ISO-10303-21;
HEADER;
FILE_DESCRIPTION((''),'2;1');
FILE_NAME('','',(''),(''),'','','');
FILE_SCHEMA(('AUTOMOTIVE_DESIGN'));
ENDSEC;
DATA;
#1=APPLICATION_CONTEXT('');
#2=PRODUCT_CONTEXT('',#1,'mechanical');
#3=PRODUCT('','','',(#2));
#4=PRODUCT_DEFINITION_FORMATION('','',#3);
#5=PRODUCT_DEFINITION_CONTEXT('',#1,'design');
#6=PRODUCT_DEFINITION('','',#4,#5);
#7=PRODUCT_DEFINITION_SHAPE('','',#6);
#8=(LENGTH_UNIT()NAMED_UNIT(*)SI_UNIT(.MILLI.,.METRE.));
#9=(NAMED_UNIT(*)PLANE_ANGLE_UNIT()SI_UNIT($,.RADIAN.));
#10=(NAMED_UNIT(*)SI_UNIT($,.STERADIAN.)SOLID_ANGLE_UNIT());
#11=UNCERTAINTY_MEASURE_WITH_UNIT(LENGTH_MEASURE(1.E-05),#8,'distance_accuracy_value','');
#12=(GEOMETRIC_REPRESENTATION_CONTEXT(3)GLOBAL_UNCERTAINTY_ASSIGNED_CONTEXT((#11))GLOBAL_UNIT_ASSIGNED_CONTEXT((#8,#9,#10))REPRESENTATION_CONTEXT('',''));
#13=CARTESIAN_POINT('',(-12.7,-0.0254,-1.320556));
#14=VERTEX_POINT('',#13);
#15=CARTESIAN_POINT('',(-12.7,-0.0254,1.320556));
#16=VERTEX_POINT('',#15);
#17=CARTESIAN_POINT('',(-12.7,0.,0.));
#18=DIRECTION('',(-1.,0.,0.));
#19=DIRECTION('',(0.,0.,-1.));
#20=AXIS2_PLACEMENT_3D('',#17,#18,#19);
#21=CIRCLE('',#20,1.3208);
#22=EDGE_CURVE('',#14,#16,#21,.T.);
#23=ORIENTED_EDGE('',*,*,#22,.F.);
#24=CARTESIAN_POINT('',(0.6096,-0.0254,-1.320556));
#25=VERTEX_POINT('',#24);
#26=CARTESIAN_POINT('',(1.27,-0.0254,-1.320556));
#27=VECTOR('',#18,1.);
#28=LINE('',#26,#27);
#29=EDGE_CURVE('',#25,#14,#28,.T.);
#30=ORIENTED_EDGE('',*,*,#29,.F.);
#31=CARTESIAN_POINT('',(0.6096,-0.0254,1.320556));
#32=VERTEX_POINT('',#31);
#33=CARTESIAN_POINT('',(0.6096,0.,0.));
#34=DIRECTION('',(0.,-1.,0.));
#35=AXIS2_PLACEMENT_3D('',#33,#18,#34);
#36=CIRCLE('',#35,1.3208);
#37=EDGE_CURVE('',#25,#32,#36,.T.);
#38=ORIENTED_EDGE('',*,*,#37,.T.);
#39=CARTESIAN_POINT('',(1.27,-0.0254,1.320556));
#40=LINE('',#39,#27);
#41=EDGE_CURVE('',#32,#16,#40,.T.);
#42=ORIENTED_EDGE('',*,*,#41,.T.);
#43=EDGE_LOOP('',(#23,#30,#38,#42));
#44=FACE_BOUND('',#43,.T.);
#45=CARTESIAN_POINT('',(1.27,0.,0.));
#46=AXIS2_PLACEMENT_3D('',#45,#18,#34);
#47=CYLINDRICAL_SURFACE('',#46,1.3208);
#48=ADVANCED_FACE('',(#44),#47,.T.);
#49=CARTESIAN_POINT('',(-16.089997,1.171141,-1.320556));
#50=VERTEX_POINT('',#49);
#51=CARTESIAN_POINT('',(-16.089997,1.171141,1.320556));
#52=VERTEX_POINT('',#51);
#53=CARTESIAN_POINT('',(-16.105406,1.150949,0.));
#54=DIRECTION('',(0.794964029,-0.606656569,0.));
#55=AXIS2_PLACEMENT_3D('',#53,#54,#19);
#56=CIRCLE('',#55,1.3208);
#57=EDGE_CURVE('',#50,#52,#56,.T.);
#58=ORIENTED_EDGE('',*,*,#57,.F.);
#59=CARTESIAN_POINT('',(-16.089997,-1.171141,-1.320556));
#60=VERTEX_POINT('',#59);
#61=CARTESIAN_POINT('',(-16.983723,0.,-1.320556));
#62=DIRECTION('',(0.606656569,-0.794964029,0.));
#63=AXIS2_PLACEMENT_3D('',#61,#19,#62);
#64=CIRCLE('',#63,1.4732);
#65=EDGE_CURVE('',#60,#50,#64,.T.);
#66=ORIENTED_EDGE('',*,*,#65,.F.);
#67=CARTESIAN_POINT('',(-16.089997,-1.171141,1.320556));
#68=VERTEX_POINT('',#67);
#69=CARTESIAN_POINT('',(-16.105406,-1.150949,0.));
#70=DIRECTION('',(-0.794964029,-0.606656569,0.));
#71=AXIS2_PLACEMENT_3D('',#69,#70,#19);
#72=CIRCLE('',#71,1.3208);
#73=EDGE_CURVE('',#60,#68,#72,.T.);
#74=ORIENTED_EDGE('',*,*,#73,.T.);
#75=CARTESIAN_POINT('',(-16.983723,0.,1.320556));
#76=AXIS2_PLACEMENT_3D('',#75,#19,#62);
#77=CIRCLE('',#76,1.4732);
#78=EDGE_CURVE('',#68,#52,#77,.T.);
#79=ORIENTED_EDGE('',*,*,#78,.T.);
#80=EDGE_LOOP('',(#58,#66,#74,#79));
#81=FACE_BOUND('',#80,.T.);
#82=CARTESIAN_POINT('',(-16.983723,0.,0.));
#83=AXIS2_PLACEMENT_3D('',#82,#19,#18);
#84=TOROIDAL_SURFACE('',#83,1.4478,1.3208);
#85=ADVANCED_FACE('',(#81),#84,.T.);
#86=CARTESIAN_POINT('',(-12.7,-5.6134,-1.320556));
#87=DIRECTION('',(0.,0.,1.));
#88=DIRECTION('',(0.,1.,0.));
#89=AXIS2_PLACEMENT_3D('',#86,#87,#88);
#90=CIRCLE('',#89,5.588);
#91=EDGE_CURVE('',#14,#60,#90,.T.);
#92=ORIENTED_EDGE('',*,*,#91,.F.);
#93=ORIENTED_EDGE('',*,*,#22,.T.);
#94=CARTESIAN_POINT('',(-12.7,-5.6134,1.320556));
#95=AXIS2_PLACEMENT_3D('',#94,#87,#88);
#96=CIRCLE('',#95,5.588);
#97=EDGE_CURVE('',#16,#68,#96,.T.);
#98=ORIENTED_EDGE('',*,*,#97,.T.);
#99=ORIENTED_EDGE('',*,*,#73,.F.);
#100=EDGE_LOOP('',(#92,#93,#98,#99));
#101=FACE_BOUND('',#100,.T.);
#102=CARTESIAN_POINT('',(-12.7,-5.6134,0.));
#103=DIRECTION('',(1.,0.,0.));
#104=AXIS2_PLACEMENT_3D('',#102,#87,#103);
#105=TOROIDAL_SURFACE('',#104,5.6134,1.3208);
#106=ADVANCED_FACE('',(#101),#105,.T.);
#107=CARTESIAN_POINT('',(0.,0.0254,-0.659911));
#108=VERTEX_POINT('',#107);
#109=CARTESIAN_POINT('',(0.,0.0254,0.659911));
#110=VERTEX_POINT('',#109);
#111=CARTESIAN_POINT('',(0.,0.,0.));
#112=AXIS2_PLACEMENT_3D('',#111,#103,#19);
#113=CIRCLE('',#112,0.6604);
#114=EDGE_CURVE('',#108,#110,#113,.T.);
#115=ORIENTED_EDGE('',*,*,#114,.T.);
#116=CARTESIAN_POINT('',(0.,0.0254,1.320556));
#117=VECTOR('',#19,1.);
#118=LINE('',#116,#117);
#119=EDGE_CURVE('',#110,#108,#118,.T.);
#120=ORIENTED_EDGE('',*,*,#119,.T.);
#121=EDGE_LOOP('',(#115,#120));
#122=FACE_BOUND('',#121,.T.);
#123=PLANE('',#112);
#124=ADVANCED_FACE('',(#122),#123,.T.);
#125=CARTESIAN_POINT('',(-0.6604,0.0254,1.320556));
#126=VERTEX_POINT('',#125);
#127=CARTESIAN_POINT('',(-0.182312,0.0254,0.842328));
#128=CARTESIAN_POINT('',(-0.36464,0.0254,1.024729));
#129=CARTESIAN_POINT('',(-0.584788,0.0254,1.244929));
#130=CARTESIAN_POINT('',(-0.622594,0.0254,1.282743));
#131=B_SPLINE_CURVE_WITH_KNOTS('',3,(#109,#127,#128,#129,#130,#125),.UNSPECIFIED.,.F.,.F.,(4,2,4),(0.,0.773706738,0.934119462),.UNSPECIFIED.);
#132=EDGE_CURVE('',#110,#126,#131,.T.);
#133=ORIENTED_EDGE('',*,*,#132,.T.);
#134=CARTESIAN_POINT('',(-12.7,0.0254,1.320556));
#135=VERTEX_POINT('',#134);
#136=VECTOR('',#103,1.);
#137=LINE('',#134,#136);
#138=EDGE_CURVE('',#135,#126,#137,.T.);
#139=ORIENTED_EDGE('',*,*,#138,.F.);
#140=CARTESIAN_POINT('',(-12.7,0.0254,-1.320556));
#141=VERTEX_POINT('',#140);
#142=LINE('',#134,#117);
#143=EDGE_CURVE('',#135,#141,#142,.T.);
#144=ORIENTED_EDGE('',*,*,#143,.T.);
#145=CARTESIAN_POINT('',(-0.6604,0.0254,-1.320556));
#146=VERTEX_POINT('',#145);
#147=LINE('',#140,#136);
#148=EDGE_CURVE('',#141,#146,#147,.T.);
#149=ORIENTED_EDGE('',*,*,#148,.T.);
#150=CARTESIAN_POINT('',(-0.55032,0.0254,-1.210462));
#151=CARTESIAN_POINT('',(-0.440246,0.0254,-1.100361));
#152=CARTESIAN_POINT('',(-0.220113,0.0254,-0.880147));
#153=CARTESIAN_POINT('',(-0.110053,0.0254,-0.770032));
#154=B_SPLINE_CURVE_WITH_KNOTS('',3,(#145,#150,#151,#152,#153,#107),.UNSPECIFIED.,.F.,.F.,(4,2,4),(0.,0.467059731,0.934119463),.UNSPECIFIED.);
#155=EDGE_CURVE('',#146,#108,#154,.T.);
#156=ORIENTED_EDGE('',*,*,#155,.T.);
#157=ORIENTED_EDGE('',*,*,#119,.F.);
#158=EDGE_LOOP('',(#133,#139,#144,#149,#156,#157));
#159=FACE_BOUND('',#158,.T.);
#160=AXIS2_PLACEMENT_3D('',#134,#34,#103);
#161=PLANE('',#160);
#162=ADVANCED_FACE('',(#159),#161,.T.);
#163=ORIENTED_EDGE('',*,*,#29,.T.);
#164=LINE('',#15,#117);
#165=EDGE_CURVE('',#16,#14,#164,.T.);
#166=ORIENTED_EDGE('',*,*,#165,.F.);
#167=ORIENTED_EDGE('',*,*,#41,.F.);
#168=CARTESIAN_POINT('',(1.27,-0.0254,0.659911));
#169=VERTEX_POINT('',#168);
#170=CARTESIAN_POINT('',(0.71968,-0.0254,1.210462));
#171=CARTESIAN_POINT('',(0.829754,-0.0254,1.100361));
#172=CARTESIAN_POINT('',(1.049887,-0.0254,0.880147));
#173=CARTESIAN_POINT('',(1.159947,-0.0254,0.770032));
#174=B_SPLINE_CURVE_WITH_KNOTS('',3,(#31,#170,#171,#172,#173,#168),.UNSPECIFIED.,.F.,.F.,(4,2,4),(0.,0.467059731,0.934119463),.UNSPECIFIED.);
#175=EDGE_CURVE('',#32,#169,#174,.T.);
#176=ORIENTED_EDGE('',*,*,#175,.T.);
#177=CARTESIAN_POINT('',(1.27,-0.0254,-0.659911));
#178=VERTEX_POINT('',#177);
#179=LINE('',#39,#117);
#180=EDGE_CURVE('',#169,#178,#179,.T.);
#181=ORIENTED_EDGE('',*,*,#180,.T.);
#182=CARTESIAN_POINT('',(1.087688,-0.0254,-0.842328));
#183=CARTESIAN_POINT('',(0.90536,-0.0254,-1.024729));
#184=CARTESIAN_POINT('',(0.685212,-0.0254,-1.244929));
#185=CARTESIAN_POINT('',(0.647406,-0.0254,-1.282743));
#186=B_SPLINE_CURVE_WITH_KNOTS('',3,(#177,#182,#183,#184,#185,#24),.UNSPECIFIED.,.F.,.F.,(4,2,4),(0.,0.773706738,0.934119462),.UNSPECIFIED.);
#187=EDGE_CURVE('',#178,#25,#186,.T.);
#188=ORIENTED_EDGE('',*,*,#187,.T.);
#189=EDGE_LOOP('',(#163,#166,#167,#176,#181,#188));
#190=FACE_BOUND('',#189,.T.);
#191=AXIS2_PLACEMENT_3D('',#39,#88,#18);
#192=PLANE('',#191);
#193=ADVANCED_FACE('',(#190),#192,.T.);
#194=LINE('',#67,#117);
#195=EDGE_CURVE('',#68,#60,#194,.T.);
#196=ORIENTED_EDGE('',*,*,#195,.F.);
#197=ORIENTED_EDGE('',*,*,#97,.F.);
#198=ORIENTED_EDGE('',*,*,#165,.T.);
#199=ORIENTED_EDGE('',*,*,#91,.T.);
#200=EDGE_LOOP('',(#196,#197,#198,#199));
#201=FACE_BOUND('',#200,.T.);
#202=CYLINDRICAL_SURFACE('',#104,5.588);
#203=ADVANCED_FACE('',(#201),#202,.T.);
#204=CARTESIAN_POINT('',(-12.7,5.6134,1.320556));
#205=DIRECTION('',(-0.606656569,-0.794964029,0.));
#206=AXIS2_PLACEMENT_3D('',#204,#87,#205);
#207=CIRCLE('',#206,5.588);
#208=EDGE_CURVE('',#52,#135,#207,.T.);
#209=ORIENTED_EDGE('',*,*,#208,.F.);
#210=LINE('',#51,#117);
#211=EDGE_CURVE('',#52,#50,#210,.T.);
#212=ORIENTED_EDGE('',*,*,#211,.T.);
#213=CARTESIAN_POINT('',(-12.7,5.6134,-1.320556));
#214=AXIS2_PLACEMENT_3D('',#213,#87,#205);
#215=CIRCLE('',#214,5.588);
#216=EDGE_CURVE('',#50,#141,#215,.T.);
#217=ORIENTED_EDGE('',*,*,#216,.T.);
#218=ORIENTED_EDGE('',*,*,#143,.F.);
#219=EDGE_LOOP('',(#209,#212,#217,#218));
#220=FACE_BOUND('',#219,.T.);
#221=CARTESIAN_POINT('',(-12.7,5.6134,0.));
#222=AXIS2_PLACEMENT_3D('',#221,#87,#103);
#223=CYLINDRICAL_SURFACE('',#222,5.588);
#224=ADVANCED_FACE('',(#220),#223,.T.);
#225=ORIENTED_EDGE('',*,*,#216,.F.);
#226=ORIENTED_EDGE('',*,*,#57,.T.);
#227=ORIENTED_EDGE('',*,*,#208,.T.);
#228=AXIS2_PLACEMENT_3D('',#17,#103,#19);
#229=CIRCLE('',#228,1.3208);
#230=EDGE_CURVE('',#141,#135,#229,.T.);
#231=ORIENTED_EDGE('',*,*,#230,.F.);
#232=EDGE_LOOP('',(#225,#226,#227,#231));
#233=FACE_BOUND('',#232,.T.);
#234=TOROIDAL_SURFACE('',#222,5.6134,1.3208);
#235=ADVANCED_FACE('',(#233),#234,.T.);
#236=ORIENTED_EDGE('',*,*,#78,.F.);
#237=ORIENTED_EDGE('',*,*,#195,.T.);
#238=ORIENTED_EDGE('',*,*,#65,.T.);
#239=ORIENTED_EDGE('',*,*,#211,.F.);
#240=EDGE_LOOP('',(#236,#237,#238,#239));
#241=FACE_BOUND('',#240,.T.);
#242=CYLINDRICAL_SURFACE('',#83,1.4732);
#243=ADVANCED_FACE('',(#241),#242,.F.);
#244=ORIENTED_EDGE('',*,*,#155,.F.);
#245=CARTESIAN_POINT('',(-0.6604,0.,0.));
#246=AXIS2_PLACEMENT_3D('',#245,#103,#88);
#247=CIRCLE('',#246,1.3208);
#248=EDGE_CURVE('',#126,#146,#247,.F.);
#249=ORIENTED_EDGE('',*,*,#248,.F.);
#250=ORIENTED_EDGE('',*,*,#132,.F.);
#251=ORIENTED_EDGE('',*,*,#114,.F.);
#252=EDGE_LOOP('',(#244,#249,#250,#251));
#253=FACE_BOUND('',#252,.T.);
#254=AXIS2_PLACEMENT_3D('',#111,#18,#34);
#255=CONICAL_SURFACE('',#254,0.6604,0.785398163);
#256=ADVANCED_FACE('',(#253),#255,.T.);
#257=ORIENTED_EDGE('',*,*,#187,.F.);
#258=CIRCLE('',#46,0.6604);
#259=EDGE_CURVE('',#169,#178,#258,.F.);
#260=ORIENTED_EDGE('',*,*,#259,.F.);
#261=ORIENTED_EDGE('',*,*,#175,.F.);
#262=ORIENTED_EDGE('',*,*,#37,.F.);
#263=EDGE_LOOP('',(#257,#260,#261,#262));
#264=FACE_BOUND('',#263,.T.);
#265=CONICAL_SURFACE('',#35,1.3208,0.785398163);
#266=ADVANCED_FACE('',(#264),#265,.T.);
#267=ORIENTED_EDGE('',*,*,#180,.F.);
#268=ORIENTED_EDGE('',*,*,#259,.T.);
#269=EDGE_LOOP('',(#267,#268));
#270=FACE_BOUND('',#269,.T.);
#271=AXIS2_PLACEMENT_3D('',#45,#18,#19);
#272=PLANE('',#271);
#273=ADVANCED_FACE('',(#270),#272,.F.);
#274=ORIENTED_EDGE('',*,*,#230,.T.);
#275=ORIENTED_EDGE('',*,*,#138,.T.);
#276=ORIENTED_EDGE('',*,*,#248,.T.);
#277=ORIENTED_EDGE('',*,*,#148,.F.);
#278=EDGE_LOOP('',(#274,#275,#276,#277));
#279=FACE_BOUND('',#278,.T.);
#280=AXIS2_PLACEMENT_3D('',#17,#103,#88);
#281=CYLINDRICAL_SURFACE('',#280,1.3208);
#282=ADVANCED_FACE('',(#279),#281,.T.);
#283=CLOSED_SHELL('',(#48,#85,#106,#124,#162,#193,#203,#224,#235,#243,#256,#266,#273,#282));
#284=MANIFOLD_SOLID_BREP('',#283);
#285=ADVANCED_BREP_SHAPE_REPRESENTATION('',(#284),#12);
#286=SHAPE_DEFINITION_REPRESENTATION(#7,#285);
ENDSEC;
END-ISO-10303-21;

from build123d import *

# Parameters (mm, degrees)
CHAMFER1_SIZE = 0.6604


with BuildPart() as part:
    # Sweep1: sweep along a path in Sketch3
    with BuildLine(Plane.XY) as sweep1_path:
        Line((1.27, -0.0254), (-12.7, -0.0254))
        ThreePointArc((-12.7, -0.0254), (-14.489189865, -0.319578731), (-16.089996909, -1.171141007))
        ThreePointArc((-16.089996909, -1.171141007), (-18.456923366, 0), (-16.089996909, 1.171141007))
        ThreePointArc((-16.089996909, 1.171141007), (-14.489189865, 0.319578731), (-12.7, 0.0254))
        Line((-12.7, 0.0254), (0, 0.0254))
    # Sketch4 → Sweep1 (sweep)
    with BuildSketch(Plane(origin=(0, 0, 0), x_dir=(0, 0, -1), z_dir=(1, 0, 0))):
        with BuildLine():
            Line((-1.320555747, 0.0254), (1.320555747, 0.0254))
            ThreePointArc((1.320555747, 0.0254), (0, 1.3208), (-1.320555747, 0.0254))
        make_face()
    sweep(path=sweep1_path.line)

    # Chamfer1
    chamfer1_edges = [part.edges().sort_by_distance(p)[0] for p in [
        (0, 1.3208, 0),
        (1.27, -1.3208, 0),
    ]]
    chamfer(chamfer1_edges, length=CHAMFER1_SIZE)


solid = part.part
